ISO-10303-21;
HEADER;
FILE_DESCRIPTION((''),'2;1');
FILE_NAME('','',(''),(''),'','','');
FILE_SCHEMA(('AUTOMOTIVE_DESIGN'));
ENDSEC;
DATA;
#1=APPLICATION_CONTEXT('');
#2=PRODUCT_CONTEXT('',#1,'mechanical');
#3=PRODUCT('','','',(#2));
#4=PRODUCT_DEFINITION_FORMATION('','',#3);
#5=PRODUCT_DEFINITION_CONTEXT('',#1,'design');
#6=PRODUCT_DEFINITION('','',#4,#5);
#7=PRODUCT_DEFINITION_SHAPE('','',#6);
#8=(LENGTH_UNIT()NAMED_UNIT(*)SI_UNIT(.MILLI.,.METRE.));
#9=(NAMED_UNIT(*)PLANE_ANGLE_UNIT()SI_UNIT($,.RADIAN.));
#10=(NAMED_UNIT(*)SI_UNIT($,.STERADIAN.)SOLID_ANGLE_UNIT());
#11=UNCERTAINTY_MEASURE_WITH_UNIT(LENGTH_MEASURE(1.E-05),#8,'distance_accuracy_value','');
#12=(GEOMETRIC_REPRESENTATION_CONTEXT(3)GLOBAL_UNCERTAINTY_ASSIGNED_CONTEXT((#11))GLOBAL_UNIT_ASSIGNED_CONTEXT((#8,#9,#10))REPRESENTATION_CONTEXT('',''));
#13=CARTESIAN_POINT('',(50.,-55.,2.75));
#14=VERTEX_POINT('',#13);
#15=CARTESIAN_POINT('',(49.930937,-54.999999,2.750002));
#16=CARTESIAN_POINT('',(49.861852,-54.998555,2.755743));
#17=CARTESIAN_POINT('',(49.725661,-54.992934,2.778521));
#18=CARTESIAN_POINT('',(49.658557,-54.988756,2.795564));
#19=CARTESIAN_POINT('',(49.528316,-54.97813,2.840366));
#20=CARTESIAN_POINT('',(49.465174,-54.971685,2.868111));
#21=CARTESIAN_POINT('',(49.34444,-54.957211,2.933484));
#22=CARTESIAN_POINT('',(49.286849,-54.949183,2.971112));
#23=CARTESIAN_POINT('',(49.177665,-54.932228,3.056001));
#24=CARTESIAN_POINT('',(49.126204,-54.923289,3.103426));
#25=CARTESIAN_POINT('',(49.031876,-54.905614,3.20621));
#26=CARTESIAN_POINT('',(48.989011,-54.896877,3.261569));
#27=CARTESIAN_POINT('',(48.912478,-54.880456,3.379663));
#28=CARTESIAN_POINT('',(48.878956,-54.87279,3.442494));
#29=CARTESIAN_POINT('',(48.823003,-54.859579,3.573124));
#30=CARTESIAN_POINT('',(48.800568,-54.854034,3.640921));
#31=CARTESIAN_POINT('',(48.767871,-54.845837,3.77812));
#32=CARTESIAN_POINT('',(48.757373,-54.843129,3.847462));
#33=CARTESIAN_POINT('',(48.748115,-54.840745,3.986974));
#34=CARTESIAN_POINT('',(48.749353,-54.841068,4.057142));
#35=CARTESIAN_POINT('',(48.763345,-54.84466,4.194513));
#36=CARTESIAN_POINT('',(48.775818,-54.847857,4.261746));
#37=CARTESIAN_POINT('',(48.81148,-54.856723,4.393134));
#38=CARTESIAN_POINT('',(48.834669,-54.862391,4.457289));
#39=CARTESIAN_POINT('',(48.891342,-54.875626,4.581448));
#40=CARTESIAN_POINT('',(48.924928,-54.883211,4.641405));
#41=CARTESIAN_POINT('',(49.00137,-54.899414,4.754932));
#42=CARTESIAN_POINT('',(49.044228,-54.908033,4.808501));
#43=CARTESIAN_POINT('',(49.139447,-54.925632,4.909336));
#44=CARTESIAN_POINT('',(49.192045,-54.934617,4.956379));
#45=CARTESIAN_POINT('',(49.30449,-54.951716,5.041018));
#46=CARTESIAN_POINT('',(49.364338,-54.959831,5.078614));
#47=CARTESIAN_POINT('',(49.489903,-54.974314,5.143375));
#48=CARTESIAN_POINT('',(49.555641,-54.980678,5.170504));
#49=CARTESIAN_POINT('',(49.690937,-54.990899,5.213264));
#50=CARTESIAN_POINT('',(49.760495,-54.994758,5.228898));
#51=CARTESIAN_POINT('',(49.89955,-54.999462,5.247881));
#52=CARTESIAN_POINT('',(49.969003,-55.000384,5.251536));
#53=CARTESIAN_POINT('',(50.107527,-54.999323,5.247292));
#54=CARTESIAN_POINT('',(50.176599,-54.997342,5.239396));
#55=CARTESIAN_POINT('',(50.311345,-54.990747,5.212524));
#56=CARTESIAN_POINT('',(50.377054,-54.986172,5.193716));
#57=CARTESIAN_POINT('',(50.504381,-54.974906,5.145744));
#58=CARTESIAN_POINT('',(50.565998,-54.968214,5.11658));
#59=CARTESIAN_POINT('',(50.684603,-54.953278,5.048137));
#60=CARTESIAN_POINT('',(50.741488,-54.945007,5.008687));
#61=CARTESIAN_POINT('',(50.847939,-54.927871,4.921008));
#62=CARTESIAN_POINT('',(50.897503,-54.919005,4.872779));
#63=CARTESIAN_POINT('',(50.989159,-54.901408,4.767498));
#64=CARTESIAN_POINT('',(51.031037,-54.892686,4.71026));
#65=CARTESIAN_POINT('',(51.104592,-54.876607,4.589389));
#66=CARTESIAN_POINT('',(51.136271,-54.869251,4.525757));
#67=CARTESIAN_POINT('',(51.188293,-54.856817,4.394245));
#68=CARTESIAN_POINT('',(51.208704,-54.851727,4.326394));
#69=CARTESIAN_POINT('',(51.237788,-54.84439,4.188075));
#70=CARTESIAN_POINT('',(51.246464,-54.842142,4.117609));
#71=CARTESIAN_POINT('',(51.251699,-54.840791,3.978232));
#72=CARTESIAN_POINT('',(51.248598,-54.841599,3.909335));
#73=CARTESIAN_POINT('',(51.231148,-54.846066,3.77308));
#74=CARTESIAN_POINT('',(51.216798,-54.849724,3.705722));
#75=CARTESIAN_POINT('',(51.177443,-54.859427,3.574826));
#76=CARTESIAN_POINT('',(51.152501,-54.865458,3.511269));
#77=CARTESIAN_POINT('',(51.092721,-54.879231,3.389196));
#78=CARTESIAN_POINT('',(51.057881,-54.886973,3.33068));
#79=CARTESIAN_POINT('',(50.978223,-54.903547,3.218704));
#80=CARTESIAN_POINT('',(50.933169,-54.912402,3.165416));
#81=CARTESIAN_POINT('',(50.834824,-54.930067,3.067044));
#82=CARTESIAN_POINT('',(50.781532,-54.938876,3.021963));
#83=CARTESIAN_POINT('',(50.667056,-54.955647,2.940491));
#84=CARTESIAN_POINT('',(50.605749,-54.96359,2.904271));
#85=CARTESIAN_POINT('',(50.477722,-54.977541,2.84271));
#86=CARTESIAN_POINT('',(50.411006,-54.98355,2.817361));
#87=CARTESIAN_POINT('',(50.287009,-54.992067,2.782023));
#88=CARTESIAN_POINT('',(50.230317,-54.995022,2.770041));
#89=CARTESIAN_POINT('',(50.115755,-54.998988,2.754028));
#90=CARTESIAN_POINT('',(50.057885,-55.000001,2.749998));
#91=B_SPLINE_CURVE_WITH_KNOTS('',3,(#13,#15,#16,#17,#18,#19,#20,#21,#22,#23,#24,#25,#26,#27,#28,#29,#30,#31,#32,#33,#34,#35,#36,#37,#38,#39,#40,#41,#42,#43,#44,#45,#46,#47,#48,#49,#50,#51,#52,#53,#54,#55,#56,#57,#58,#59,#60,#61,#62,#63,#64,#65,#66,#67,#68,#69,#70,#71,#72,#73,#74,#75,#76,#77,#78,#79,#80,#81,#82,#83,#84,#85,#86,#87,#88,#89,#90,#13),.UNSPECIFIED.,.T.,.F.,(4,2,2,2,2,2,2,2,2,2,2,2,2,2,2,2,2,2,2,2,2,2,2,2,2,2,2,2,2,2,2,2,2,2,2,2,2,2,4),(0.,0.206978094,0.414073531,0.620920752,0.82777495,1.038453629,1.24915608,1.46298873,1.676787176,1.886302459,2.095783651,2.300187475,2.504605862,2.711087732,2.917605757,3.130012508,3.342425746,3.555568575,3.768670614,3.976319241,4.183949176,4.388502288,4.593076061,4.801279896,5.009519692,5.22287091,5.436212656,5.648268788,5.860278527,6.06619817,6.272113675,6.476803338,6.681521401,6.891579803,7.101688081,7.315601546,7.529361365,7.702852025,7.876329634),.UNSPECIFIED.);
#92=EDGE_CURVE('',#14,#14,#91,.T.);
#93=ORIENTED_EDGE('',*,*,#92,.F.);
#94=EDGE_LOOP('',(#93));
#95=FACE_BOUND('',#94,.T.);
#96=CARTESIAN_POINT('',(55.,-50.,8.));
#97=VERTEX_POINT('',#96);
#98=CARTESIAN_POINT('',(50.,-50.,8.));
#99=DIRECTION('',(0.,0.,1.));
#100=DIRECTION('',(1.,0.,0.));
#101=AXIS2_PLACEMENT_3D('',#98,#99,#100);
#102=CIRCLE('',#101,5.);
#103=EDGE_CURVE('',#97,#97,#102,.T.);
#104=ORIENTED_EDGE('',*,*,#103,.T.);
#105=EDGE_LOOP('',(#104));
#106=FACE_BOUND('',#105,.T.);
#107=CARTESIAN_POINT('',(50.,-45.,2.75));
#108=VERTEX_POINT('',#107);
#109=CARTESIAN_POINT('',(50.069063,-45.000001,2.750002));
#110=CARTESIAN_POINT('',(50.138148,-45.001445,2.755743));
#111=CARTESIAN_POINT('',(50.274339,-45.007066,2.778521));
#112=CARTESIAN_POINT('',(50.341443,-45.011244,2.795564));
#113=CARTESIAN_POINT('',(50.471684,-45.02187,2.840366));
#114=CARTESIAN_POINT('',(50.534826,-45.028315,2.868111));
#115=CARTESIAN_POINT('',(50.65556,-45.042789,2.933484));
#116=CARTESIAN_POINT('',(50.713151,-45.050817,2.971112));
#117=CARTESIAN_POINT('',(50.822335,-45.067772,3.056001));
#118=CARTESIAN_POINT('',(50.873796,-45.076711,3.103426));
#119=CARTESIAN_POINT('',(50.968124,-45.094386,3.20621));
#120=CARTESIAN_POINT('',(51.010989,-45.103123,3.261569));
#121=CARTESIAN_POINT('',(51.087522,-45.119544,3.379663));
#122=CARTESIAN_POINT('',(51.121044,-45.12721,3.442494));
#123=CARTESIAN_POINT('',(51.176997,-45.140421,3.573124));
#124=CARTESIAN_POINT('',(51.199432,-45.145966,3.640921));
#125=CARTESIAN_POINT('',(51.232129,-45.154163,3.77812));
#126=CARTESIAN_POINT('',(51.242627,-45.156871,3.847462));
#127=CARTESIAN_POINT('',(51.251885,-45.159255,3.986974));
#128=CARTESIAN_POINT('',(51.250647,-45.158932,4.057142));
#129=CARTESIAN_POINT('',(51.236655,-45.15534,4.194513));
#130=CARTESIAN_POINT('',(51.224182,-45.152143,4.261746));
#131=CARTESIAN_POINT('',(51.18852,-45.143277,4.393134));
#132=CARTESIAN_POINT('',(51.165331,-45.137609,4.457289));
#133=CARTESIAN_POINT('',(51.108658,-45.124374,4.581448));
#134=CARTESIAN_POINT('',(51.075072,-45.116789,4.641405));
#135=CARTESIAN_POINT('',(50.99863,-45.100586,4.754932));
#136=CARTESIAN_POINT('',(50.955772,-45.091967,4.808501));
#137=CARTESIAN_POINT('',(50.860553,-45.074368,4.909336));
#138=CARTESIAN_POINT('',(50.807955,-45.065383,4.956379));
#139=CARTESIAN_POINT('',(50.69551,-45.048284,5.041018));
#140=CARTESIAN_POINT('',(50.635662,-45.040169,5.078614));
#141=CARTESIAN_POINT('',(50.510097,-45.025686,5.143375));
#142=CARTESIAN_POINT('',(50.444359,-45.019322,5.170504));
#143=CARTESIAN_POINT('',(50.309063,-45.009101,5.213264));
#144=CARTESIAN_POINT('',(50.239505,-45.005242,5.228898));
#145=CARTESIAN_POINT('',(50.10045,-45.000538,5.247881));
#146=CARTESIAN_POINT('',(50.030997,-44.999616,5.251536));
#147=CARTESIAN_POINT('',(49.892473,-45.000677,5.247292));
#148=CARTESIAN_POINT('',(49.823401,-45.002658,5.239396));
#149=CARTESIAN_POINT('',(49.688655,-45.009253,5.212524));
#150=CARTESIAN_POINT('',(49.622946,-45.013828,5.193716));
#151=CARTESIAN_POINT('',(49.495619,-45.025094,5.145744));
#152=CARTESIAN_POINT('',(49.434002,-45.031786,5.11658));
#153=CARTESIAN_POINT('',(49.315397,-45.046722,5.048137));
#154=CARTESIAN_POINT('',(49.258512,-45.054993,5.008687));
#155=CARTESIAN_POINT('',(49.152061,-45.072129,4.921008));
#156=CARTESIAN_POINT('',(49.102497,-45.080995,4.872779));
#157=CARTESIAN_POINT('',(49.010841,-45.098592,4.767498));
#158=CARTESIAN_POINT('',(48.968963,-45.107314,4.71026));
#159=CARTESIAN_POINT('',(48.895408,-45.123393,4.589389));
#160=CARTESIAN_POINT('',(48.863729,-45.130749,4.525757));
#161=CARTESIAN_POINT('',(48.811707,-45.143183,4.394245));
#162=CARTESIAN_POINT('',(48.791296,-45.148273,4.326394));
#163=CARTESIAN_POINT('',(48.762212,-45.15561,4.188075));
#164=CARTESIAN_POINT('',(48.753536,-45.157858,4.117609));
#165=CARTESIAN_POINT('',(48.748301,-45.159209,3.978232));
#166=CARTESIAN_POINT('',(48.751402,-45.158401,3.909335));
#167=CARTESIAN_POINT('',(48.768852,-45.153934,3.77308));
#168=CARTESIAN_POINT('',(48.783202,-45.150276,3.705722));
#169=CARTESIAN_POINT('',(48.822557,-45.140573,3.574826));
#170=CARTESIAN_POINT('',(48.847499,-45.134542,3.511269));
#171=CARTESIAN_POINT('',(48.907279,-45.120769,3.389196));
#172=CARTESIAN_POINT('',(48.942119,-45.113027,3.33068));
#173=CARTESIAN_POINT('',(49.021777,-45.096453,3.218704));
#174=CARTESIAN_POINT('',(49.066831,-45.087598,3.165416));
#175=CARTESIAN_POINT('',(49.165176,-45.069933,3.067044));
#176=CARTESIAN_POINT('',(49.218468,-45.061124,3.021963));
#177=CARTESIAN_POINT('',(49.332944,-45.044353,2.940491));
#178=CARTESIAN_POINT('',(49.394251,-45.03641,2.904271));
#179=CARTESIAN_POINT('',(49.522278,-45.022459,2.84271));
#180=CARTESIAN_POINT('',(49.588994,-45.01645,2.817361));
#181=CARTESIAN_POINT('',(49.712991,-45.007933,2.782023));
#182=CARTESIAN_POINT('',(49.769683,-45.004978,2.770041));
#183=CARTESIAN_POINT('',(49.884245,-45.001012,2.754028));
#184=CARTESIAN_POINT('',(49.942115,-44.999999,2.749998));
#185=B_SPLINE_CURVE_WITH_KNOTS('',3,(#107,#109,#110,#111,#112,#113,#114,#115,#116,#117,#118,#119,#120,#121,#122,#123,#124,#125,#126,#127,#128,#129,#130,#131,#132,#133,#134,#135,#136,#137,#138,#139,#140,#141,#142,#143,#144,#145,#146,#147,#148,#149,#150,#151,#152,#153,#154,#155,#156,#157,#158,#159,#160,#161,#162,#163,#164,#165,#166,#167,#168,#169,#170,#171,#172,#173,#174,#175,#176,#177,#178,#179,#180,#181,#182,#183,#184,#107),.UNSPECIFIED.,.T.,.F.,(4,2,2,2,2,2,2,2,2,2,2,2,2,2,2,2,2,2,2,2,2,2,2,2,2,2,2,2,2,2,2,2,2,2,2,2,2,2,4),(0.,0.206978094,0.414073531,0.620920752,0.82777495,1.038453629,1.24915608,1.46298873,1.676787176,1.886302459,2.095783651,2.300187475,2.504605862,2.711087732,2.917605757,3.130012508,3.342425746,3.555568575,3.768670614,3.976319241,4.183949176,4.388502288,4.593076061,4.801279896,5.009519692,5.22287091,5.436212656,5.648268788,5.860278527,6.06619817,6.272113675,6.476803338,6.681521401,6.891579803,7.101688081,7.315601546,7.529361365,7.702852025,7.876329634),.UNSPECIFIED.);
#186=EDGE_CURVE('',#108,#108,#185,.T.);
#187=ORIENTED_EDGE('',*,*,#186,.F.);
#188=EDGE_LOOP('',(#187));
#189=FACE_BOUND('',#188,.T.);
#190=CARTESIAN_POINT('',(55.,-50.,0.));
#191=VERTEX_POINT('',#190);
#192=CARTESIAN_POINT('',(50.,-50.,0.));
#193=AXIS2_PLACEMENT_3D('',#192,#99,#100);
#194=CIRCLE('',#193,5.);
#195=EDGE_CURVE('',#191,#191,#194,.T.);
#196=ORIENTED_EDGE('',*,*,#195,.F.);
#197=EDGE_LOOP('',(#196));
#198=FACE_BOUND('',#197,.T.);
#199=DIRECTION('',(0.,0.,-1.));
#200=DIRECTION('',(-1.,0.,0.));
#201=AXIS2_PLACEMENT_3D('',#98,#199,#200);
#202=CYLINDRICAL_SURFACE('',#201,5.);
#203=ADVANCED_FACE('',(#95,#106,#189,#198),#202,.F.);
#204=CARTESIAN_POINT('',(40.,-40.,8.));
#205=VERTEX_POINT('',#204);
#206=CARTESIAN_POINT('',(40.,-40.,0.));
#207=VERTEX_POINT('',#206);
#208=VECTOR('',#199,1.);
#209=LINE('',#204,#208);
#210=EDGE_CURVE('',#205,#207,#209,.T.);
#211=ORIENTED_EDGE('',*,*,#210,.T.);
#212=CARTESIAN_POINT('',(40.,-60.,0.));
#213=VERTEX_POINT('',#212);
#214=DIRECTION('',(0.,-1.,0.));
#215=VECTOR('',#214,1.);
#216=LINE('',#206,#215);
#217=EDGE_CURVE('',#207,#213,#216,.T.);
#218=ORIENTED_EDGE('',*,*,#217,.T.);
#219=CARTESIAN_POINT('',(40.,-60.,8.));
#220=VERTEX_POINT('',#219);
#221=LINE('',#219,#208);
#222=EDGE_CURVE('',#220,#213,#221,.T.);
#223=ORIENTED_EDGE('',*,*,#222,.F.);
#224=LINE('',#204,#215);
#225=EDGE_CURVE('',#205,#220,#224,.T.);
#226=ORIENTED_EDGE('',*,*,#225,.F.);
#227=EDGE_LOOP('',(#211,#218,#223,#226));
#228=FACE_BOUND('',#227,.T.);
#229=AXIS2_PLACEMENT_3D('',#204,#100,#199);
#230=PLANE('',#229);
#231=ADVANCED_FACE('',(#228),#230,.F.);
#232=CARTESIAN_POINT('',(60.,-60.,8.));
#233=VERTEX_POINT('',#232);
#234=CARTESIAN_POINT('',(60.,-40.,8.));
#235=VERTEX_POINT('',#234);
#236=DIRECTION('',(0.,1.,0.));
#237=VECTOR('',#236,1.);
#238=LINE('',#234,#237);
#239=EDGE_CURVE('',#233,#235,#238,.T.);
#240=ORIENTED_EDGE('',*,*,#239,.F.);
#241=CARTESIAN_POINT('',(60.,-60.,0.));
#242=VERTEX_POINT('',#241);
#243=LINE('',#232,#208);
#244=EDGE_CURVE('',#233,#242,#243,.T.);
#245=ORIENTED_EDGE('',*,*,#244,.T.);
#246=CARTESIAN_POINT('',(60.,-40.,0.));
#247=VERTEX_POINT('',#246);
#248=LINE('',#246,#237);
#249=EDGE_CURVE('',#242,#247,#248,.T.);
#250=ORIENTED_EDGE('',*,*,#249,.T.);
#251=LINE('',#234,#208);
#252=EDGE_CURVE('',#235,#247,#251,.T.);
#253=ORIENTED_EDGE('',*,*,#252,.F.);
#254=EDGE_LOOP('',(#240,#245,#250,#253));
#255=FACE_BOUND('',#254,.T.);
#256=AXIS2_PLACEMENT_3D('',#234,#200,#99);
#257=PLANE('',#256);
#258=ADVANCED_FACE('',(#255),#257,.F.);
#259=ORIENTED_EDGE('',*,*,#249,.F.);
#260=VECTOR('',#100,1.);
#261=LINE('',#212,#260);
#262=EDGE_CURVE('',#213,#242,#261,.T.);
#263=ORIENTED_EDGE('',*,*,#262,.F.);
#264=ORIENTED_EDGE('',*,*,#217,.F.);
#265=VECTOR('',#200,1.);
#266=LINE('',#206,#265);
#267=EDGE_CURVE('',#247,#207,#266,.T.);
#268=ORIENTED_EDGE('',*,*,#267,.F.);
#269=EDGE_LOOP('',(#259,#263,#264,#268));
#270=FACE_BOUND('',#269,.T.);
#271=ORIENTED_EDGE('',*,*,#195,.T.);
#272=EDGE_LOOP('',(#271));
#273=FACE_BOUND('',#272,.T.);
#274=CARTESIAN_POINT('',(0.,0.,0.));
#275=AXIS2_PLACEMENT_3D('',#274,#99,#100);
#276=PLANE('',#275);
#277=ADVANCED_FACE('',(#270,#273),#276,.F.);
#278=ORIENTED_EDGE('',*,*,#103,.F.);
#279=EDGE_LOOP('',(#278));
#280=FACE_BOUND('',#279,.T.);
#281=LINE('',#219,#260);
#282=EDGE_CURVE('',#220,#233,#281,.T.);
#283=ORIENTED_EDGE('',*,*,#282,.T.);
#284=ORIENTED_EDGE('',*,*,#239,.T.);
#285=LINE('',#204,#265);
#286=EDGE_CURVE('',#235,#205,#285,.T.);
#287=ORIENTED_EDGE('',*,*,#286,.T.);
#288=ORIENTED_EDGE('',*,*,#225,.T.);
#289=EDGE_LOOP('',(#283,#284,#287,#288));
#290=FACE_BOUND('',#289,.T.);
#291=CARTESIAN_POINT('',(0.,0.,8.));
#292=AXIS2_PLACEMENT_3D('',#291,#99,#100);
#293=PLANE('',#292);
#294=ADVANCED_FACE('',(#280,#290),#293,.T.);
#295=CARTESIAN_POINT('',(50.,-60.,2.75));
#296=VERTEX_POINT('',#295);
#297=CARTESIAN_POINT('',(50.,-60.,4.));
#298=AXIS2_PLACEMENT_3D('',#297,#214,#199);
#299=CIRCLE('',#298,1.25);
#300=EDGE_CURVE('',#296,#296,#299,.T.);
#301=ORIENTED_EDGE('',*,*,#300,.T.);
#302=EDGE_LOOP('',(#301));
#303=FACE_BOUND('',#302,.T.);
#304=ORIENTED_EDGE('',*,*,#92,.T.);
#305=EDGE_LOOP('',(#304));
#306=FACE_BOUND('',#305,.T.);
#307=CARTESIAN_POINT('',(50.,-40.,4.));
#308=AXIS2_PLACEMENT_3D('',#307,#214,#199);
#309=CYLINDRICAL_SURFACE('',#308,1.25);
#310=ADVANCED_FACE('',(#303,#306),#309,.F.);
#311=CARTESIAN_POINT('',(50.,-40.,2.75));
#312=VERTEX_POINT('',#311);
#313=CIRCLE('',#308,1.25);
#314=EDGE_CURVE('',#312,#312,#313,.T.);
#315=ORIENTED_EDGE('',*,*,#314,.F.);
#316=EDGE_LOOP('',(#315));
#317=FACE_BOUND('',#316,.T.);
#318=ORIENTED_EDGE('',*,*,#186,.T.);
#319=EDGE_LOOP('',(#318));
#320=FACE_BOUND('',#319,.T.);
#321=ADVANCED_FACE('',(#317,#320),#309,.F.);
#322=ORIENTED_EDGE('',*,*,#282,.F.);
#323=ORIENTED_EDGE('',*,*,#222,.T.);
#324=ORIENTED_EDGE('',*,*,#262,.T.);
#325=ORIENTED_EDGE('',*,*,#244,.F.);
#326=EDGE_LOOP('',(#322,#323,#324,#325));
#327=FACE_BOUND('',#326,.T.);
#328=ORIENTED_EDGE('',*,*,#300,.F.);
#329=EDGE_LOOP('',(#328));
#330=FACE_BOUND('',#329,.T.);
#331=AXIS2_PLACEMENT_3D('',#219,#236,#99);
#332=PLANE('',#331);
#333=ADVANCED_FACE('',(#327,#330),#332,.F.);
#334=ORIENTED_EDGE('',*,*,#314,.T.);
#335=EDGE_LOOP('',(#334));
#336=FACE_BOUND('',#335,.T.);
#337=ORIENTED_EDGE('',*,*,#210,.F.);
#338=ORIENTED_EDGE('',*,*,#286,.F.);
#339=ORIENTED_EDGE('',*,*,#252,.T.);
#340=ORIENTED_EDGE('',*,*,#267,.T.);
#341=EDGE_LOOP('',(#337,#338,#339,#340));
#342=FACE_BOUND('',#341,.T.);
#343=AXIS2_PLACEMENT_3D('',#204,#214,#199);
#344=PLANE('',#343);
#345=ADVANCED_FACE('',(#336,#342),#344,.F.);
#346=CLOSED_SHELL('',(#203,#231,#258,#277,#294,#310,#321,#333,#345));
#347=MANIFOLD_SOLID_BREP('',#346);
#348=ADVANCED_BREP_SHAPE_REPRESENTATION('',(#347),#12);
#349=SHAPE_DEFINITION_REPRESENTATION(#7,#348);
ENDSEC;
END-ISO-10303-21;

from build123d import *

# Parameters (mm, degrees)
SKETCH1_W           = 20
SKETCH1_H           = 20
SKETCH1_R           = 5
BOSS_EXTRUDE1_DEPTH = 8
SKETCH3_R           = 1.25
CUT_EXTRUDE1_DEPTH  = 20


with BuildPart() as part:
    # Sketch1 → Boss-Extrude1 (new body)
    with BuildSketch(Plane.XY):
        with Locations((50, -50)):
            Rectangle(SKETCH1_W, SKETCH1_H)
        with Locations((50, -50)):
            Circle(SKETCH1_R, mode=Mode.SUBTRACT)
    extrude(amount=BOSS_EXTRUDE1_DEPTH)

    # Sketch3 → Cut-Extrude1 (cut)
    with BuildSketch(Plane(origin=(0, -60, 0), x_dir=(-1, 0, 0), z_dir=(0, -1, 0))):
        with Locations((-50, -4)):
            Circle(SKETCH3_R)
    extrude(amount=-CUT_EXTRUDE1_DEPTH, mode=Mode.SUBTRACT)


solid = part.part
